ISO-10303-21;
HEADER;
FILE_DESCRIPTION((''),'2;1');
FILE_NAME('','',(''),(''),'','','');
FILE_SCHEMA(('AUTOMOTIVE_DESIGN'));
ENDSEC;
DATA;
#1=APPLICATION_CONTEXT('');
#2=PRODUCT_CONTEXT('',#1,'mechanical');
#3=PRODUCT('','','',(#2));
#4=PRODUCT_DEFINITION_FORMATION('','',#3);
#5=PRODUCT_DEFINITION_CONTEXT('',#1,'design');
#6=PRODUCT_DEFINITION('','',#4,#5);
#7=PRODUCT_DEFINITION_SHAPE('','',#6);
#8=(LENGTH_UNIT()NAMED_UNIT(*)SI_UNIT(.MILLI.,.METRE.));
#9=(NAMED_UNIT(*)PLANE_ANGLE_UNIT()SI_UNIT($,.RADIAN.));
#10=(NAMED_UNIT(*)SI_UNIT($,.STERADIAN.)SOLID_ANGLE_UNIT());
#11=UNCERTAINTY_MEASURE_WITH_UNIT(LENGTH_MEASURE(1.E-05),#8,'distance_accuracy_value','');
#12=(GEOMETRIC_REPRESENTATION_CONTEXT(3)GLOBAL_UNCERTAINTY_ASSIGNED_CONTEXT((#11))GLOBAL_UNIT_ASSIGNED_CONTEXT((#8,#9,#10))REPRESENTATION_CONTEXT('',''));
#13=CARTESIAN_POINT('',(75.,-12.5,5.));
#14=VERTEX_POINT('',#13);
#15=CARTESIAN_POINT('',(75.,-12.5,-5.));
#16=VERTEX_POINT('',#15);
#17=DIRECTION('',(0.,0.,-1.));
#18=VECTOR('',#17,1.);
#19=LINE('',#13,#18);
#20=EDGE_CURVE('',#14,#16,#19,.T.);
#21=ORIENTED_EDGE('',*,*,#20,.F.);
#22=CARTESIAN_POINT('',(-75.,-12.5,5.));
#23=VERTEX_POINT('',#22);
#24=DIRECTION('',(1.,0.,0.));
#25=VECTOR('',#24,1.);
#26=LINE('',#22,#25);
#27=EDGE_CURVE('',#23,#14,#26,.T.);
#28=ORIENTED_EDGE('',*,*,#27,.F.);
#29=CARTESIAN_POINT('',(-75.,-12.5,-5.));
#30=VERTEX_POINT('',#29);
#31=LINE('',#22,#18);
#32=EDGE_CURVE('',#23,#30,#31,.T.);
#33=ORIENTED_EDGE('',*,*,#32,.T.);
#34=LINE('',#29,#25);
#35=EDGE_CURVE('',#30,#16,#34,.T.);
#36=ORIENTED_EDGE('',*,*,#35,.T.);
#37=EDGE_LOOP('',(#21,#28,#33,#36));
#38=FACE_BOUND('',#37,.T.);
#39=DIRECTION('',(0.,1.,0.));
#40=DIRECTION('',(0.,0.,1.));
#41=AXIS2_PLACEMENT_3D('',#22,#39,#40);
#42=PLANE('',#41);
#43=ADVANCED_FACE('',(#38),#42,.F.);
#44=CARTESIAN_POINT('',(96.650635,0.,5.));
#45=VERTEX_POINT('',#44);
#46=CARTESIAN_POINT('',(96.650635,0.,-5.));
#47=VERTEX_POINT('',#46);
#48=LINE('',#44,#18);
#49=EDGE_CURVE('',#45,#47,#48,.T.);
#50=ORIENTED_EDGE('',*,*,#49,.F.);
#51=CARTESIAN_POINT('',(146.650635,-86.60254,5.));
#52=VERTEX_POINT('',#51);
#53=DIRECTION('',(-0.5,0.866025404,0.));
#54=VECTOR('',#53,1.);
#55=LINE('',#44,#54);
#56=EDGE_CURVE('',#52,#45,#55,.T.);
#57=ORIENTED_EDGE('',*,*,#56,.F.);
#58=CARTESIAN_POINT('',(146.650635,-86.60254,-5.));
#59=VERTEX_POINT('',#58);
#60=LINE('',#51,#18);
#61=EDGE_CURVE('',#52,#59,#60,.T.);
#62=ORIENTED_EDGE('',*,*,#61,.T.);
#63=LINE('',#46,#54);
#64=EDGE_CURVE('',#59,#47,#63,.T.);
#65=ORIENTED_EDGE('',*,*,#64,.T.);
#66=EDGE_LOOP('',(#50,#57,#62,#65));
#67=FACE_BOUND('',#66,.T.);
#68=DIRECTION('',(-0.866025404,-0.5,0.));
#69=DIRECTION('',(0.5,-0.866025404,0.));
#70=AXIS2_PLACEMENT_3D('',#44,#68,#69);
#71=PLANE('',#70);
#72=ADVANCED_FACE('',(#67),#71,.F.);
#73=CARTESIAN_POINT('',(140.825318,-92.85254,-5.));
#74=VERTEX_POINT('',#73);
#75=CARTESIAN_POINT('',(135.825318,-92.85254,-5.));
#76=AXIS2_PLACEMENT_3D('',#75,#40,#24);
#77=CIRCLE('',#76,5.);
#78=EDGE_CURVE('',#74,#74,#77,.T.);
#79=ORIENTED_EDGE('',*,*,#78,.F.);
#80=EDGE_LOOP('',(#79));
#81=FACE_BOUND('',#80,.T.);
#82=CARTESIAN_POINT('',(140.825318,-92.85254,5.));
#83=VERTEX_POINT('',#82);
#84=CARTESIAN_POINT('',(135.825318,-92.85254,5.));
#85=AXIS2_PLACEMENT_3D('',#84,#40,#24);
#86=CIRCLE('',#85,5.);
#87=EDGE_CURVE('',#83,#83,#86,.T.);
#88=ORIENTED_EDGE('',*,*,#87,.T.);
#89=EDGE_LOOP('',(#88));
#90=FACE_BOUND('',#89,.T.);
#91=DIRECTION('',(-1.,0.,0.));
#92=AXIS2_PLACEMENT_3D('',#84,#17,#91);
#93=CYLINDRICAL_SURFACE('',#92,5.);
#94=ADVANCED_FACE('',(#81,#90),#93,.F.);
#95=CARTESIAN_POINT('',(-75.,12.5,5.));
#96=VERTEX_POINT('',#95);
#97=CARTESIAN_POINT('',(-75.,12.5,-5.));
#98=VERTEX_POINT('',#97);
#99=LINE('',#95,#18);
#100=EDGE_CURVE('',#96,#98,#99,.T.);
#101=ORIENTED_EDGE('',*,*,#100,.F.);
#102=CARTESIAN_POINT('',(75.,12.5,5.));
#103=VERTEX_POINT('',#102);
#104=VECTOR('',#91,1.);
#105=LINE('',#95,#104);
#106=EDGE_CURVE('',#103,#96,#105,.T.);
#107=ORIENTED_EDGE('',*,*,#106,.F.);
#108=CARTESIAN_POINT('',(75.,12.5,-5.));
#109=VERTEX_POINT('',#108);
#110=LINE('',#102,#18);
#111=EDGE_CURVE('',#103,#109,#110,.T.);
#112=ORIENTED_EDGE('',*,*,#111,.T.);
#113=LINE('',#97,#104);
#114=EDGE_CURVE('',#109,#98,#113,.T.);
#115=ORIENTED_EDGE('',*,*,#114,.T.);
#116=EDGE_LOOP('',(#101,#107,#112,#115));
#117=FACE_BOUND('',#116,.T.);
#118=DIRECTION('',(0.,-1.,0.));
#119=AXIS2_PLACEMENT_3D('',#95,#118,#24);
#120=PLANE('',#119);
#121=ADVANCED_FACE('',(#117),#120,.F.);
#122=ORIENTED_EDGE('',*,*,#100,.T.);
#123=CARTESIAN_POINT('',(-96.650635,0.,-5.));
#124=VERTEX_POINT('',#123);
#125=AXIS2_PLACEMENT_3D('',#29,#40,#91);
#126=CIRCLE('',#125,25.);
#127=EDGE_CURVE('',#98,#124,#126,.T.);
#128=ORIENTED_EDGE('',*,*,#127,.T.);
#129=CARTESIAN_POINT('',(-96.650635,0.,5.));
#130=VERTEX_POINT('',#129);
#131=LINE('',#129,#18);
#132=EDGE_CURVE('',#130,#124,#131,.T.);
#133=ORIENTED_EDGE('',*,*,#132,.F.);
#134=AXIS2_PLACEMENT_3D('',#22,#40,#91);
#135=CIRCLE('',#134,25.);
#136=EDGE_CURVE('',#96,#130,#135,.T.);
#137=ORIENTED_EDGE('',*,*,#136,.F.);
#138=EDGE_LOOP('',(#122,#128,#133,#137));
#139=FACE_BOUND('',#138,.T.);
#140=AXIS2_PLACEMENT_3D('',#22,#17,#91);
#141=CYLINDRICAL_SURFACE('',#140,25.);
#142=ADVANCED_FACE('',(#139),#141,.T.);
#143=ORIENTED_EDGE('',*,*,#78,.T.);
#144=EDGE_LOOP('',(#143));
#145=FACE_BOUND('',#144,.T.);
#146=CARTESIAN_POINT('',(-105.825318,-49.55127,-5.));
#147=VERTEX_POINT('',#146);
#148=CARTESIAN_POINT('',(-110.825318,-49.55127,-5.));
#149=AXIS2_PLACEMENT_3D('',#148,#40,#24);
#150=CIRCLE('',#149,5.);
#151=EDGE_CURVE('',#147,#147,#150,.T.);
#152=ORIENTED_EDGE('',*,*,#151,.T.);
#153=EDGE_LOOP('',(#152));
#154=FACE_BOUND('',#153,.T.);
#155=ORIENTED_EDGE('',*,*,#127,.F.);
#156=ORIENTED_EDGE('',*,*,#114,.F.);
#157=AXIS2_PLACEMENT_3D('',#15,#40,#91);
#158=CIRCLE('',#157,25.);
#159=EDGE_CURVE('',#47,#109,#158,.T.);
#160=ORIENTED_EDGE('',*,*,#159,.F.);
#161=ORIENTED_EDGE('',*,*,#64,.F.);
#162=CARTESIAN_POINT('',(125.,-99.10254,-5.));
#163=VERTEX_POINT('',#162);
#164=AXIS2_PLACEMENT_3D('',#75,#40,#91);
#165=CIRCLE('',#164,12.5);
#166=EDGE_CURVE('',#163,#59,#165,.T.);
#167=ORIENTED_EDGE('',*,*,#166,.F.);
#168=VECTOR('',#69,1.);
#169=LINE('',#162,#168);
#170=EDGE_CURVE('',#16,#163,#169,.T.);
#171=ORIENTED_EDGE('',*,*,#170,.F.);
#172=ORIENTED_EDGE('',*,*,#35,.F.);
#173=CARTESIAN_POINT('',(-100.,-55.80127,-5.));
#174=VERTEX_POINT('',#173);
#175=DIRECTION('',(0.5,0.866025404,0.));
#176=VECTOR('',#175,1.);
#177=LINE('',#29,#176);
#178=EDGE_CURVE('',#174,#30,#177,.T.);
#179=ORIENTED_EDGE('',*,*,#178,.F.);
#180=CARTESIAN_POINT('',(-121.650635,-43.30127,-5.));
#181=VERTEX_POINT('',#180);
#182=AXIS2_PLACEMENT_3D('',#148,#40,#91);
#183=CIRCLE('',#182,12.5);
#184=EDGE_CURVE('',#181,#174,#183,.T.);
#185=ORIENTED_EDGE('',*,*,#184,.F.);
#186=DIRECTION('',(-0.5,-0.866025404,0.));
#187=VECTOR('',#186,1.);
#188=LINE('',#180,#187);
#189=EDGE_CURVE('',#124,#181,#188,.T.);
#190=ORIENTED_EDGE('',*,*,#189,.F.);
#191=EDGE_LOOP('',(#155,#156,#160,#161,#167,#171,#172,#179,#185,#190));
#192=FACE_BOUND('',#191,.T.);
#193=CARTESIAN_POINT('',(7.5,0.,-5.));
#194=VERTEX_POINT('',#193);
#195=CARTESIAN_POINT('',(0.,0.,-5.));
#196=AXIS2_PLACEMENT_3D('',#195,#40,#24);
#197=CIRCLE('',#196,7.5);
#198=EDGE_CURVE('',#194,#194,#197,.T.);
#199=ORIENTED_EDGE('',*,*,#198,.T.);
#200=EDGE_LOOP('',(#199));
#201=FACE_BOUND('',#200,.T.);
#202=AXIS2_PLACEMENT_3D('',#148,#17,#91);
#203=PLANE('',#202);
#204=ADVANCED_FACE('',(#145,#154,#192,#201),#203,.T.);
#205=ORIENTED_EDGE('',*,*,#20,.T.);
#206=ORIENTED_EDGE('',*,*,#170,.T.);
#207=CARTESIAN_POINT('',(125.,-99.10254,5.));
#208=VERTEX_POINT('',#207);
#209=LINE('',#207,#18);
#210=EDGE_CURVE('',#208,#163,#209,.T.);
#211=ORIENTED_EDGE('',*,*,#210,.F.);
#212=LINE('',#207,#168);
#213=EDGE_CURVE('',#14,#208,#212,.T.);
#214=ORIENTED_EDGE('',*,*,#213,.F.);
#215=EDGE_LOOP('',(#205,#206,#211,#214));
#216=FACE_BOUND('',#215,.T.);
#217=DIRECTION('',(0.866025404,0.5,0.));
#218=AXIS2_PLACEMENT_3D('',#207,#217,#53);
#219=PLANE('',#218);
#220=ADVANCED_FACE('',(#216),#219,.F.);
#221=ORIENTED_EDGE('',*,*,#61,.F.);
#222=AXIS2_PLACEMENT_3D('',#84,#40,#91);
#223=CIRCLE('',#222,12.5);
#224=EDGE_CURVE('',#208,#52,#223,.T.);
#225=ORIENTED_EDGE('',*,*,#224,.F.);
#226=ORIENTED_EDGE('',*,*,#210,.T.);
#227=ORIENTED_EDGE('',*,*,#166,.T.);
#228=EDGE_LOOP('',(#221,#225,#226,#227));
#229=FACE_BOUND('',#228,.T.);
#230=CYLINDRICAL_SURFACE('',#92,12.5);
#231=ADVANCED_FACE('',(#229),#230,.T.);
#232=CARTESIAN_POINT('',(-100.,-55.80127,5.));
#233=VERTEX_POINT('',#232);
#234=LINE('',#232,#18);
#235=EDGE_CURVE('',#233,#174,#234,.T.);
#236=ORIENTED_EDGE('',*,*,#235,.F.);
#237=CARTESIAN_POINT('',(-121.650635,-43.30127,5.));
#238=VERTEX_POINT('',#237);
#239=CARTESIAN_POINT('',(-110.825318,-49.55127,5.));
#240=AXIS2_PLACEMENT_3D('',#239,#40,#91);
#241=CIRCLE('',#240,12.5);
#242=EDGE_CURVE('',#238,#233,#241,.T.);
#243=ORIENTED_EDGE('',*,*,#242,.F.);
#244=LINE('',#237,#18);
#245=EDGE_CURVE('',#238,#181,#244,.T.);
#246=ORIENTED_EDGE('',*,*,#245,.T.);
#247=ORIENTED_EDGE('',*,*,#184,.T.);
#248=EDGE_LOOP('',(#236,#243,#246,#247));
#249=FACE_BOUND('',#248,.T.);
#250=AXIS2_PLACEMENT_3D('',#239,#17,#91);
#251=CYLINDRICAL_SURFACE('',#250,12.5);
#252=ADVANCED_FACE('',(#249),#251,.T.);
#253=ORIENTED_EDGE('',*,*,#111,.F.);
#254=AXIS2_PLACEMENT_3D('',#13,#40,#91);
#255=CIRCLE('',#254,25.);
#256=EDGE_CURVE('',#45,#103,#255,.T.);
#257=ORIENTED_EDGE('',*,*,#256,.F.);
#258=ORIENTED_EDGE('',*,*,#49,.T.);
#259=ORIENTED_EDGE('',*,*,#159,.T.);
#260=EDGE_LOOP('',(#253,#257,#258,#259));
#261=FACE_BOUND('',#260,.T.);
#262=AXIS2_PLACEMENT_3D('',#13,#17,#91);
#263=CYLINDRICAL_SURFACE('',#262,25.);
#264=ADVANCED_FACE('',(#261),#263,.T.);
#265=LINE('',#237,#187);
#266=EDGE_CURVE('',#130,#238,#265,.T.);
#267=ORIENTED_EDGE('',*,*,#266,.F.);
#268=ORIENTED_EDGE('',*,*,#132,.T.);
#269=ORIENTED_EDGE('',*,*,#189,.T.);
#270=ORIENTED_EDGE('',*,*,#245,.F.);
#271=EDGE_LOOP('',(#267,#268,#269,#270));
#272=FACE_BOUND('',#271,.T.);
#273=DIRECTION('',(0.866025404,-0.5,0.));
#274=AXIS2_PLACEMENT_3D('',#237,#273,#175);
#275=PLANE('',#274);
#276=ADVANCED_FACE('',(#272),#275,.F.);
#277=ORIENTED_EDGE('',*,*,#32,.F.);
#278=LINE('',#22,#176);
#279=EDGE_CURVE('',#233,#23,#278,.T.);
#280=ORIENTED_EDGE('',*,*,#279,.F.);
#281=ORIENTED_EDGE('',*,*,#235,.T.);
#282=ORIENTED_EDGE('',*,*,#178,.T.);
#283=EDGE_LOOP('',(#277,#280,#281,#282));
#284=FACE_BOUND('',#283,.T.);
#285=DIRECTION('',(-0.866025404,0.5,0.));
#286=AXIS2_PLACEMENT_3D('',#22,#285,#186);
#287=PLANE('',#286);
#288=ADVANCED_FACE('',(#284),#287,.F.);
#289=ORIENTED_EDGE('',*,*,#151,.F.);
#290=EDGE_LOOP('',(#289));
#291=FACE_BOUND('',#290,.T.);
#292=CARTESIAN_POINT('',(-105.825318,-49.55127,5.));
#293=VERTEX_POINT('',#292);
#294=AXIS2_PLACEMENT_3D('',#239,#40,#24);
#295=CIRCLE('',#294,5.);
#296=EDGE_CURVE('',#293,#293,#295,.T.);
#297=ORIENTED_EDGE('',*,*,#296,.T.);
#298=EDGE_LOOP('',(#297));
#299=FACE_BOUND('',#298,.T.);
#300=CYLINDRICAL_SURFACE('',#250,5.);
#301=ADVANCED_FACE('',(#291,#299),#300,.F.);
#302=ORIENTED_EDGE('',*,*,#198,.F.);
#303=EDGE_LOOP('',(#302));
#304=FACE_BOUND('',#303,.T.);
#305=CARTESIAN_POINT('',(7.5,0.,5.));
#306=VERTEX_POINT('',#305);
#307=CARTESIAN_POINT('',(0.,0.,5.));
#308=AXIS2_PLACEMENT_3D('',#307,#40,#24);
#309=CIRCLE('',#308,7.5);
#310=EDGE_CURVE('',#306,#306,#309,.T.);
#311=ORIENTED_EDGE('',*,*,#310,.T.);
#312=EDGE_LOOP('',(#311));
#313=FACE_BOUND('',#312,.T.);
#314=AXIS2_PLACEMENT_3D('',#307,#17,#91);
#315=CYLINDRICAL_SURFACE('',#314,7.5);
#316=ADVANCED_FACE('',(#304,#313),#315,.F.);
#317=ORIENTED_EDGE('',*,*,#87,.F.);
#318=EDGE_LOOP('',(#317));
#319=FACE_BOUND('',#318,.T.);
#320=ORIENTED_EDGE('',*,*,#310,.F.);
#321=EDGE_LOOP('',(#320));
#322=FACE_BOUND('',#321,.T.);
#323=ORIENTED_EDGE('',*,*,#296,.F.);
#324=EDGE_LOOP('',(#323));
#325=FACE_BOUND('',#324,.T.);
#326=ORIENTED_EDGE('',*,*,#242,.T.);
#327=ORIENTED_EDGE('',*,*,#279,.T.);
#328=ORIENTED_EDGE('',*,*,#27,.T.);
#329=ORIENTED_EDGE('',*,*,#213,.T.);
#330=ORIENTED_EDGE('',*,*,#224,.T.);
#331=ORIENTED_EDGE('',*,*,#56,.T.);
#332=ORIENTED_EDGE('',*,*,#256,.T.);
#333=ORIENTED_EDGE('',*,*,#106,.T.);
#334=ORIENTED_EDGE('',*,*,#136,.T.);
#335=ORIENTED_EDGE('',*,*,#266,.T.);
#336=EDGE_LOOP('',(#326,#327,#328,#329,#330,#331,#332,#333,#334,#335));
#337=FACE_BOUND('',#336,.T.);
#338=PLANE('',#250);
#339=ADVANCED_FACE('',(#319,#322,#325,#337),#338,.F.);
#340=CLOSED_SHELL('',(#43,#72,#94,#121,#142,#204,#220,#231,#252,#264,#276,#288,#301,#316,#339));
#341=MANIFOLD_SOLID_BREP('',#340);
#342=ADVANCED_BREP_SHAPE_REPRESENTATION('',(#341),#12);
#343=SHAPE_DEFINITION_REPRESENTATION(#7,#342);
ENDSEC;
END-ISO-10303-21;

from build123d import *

# Parameters (mm, degrees)
SKETCH1_R           = 7.5
SKETCH1_R_2         = 5
BOSS_EXTRUDE1_DEPTH = 5


with BuildPart() as part:
    # Sketch1 → Boss-Extrude1 (new, symmetric)
    with BuildSketch(Plane.XY):
        with BuildLine():
            Line((-75, -12.5), (75, -12.5))
            Line((75, -12.5), (125, -99.102540378))
            ThreePointArc((125, -99.102540378), (142.075317547, -103.677857926), (146.650635095, -86.602540378))
            Line((146.650635095, -86.602540378), (96.650635095, 0))
            ThreePointArc((96.650635095, 0), (87.5, 9.150635095), (75, 12.5))
            Line((75, 12.5), (-75, 12.5))
            ThreePointArc((-75, 12.5), (-87.5, 9.150635095), (-96.650635095, 0))
            Line((-96.650635095, 0), (-121.650635095, -43.301270189))
            ThreePointArc((-121.650635095, -43.301270189), (-117.075317547, -60.376587737), (-100, -55.801270189))
            Line((-100, -55.801270189), (-75, -12.5))
        make_face()
        Circle(SKETCH1_R, mode=Mode.SUBTRACT)
        with Locations((135.825317547, -92.852540378)):
            Circle(SKETCH1_R_2, mode=Mode.SUBTRACT)
        with Locations((-110.825317547, -49.551270189)):
            Circle(SKETCH1_R_2, mode=Mode.SUBTRACT)
    extrude(amount=BOSS_EXTRUDE1_DEPTH, both=True)


solid = part.part
